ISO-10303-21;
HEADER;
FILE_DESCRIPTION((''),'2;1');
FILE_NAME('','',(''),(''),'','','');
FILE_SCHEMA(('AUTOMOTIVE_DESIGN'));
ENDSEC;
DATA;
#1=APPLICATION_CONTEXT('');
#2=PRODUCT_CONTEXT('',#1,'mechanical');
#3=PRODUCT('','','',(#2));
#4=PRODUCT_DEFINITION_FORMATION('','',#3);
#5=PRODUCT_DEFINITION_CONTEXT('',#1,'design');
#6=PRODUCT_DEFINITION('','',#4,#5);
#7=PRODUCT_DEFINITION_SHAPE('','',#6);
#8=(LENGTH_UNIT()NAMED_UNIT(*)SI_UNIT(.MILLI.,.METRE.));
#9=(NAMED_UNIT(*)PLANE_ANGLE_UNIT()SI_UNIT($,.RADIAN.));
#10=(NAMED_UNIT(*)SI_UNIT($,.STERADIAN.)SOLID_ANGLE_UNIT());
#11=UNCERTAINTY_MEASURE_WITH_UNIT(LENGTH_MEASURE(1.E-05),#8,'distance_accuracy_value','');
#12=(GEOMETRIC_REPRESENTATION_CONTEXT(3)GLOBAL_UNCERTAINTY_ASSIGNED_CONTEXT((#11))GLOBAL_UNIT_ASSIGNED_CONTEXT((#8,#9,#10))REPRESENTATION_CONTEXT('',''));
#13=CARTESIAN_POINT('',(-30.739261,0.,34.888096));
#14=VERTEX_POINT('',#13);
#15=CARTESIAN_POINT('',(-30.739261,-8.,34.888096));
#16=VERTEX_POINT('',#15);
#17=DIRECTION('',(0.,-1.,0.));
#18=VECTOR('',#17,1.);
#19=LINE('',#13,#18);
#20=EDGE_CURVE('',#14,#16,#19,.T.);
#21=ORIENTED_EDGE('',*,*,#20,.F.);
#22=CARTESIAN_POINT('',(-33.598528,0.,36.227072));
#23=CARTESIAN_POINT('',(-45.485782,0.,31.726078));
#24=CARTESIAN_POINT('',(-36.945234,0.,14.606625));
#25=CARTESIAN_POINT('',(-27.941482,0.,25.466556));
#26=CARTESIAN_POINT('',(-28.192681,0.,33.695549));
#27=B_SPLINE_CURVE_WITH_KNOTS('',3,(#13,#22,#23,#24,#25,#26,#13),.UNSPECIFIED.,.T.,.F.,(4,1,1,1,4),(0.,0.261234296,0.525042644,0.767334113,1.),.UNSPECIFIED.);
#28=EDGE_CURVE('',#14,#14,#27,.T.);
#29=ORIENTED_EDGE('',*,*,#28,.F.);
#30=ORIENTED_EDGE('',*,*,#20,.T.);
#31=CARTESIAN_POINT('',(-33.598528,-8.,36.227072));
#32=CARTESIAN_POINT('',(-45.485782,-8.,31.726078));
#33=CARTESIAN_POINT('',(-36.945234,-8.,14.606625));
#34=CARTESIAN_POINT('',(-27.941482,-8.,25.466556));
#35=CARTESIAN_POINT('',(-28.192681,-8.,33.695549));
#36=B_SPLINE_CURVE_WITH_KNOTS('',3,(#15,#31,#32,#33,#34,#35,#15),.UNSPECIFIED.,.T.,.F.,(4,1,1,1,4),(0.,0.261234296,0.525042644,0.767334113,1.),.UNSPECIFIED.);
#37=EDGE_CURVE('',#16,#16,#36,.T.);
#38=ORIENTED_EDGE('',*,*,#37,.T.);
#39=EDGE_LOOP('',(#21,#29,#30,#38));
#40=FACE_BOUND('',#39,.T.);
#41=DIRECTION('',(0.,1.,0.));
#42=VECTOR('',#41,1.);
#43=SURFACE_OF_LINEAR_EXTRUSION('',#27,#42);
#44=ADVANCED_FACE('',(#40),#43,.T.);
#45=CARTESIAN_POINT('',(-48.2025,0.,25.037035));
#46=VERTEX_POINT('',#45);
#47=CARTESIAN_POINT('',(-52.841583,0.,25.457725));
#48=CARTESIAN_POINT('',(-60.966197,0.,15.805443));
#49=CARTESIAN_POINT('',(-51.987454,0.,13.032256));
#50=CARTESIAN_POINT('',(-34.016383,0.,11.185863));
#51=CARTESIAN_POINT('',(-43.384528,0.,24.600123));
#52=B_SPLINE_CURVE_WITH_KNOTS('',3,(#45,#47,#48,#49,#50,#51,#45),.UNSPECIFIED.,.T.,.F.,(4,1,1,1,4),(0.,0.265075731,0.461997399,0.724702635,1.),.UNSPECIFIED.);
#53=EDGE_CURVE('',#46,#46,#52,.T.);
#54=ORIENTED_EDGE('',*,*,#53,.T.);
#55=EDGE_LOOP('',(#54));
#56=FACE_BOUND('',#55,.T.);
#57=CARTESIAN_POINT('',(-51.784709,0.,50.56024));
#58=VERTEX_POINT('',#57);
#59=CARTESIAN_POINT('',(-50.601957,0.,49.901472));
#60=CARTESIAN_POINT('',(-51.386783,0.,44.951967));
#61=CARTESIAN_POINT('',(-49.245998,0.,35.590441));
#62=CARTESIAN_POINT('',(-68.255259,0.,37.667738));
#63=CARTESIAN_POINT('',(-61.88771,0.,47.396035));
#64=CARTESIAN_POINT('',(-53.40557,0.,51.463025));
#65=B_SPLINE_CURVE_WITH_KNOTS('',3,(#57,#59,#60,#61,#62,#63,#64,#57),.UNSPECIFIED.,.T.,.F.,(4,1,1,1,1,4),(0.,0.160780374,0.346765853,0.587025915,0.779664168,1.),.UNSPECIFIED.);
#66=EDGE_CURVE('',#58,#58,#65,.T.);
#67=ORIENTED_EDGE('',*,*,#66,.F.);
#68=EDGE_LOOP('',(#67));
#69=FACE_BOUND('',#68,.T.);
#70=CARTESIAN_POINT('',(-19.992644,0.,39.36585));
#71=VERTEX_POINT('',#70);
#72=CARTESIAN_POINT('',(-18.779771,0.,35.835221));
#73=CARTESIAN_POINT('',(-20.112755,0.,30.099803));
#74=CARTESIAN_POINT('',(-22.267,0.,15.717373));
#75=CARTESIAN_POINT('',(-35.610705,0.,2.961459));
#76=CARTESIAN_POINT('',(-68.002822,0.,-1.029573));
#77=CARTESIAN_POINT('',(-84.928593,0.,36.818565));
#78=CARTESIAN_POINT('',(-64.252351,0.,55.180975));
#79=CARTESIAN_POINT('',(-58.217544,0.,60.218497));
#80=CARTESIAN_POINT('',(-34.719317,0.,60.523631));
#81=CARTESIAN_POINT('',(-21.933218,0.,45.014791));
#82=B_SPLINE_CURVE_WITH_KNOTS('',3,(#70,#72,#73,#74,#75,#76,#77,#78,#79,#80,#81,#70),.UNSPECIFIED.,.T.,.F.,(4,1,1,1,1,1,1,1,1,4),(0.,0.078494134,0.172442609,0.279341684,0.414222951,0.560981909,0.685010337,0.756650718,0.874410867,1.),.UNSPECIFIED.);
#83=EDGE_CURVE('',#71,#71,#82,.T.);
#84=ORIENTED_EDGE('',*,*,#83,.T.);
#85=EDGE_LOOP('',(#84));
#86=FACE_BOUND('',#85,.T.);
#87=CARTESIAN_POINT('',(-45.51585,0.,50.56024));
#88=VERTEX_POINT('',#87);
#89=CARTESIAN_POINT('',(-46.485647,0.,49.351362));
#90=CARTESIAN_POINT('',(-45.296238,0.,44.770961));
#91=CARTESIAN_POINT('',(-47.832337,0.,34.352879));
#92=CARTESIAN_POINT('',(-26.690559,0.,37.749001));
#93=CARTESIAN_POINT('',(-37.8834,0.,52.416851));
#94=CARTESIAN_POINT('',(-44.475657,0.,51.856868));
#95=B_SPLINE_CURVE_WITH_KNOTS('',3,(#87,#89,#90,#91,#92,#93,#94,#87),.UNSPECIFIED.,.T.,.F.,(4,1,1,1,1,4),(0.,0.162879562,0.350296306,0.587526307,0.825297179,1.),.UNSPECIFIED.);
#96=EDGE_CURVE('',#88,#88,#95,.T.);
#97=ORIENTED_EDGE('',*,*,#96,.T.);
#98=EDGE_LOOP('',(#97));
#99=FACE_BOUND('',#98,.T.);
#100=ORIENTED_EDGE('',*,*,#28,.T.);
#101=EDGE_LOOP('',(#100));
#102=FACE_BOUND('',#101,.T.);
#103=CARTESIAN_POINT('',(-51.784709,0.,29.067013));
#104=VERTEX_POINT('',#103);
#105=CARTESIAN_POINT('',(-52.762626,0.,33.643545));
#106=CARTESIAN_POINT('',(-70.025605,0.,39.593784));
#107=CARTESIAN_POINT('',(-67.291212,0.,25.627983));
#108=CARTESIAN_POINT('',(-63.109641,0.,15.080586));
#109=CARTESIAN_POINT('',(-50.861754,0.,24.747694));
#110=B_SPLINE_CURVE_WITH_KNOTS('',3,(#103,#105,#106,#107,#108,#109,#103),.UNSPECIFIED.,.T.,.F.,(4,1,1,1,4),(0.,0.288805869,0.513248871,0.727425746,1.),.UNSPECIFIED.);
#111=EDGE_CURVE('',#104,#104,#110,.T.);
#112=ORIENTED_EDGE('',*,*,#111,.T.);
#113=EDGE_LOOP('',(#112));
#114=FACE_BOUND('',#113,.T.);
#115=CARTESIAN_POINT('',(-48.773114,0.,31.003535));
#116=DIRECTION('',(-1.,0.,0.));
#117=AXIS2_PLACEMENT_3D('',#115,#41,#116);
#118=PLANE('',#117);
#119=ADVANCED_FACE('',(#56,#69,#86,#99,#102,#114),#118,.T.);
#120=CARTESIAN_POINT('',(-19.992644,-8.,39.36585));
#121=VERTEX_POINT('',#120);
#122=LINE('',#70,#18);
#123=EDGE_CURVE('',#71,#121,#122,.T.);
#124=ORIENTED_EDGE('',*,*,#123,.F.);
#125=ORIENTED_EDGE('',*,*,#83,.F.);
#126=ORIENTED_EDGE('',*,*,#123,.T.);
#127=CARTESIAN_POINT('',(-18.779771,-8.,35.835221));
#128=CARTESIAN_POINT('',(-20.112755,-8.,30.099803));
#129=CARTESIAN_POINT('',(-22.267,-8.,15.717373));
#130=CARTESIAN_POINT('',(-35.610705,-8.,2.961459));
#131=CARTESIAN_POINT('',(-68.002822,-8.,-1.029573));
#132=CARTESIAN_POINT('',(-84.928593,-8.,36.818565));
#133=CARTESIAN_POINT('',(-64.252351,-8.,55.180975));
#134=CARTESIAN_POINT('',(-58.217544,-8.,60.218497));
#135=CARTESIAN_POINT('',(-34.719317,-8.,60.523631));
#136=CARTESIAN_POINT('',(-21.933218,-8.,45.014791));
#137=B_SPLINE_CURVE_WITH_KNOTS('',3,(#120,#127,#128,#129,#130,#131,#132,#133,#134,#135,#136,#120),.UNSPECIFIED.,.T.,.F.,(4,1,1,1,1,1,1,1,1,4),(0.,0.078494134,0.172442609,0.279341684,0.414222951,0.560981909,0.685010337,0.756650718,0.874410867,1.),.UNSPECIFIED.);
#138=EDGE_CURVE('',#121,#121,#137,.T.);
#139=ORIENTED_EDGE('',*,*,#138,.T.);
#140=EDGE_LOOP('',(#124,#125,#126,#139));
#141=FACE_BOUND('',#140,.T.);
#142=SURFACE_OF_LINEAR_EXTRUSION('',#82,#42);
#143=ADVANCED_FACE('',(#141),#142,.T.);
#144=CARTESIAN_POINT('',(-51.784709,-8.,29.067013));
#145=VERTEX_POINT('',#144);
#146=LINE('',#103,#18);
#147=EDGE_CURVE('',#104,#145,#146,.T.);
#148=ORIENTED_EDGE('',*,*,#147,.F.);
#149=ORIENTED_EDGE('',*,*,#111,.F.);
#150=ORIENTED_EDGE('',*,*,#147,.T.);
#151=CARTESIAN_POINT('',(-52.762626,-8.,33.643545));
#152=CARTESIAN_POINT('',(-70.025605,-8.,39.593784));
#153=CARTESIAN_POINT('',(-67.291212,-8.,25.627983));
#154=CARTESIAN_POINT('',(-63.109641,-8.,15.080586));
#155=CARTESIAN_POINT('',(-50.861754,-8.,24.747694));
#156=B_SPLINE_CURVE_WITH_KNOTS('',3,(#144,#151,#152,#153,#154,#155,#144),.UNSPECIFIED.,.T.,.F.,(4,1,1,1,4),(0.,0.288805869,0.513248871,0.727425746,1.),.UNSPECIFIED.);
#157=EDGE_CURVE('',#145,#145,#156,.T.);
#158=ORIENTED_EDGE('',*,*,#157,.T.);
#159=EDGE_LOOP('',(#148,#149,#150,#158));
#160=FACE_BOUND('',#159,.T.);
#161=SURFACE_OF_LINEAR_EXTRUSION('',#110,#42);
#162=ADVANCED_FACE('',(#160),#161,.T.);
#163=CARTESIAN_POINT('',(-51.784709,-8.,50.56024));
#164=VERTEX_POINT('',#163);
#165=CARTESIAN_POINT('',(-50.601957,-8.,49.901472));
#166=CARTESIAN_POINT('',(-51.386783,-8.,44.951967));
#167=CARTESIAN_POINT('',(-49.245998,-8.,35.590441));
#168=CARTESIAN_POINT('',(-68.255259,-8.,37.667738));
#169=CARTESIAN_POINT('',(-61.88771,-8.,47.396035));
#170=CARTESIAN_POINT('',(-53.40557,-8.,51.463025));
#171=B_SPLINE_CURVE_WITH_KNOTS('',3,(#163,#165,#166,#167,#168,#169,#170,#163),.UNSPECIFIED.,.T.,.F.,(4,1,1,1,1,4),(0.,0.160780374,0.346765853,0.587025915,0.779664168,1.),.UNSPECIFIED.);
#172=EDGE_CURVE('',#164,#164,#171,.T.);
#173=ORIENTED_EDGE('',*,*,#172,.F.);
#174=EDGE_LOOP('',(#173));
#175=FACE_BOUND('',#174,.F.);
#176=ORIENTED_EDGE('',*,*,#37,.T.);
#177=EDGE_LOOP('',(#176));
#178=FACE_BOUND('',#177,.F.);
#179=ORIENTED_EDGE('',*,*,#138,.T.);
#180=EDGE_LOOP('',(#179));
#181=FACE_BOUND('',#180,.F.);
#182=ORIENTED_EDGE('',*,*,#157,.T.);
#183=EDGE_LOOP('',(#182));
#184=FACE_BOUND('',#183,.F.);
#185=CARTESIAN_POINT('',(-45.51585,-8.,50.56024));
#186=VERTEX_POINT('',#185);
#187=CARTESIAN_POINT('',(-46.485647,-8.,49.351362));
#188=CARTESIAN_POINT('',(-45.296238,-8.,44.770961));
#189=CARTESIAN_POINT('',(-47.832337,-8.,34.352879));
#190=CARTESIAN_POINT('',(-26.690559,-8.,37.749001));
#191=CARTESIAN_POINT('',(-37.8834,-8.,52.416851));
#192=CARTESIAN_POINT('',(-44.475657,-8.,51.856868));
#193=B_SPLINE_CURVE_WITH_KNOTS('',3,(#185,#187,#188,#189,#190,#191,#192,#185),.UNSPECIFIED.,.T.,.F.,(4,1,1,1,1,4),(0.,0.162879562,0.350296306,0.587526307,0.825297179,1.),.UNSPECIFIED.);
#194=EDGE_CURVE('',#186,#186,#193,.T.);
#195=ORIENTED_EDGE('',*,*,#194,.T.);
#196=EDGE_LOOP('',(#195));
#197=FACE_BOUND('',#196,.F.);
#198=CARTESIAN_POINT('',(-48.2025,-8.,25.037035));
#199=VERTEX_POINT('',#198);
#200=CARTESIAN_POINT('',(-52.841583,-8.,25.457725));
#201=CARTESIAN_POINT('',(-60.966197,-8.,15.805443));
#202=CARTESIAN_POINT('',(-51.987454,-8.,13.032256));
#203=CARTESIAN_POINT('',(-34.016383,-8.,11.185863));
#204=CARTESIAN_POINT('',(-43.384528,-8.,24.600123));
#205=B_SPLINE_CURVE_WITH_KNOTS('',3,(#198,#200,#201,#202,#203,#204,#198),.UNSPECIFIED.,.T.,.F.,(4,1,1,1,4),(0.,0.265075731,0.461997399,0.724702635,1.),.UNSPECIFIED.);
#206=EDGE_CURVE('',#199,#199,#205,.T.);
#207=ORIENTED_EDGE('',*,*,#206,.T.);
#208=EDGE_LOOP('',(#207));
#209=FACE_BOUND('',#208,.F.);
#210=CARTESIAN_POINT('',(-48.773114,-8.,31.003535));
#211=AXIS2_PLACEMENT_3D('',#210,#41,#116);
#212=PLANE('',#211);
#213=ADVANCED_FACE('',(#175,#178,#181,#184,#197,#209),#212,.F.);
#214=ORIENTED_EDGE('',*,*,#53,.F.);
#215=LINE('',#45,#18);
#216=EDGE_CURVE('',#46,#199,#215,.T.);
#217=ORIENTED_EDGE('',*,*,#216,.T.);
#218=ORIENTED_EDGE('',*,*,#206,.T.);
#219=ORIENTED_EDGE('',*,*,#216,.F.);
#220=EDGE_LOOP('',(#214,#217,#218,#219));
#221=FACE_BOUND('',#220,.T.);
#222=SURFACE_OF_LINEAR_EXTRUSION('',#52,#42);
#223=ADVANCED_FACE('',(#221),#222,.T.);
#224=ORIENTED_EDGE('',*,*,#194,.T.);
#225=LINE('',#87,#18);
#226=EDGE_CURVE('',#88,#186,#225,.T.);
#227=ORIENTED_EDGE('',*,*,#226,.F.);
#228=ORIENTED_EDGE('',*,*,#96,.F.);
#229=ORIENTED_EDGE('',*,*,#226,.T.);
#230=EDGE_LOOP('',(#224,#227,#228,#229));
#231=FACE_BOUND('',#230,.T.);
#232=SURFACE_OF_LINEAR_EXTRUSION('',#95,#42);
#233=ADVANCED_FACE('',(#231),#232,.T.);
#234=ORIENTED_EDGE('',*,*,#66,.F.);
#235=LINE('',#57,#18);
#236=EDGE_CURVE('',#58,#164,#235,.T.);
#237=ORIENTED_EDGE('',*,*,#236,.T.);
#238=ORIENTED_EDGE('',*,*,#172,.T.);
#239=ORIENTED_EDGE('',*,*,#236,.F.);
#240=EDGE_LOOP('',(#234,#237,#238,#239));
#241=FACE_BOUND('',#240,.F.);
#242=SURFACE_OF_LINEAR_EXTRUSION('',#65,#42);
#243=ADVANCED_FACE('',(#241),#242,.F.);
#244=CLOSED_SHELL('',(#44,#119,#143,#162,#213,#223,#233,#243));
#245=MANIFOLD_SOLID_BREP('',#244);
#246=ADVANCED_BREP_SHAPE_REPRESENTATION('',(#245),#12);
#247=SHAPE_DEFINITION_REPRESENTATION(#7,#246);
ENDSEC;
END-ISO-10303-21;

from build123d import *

# Parameters (mm, degrees)
F1_DEPTH = 8


with BuildPart() as f1:
    # F0 (on Front) → F1 (new body)
    with BuildSketch(Plane.XZ):
        with BuildLine():
            add(Edge.make_bspline(
                [(-19.9926439673, 39.365850389), (-18.7797711252, 35.8352207647), (-20.112754659, 30.0998025239), (-22.2669997346, 15.7173730294), (-35.6107045451, 2.961458872), (-68.0028217066, -1.0295733326), (-84.9285930277, 36.8185652771), (-64.2523509468, 55.1809745621), (-58.2175439834, 60.2184968115), (-34.7193167619, 60.5236310992), (-21.9332176227, 45.0147911506), (-19.9926439673, 39.365850389)],
                knots=[0, 0, 0, 0, 0.0784941342, 0.172442609, 0.2793416844, 0.4142229512, 0.560981909, 0.6850103373, 0.756650718, 0.8744108669, 1, 1, 1, 1], degree=3))
        make_face()
        with BuildLine():
            add(Edge.make_bspline(
                [(-51.784709096, 29.0670134127), (-52.762626018, 33.6435454992), (-70.0256050177, 39.5937843311), (-67.2912118698, 25.6279831221), (-63.1096405141, 15.0805858276), (-50.8617535608, 24.747693923), (-51.784709096, 29.0670134127)],
                knots=[0, 0, 0, 0, 0.2888058688, 0.5132488715, 0.7274257464, 1, 1, 1, 1], degree=3))
        make_face(mode=Mode.SUBTRACT)
        with BuildLine():
            add(Edge.make_bspline(
                [(-48.2024997473, 25.037035346), (-52.8415826498, 25.4577249411), (-60.9661972575, 15.8054430055), (-51.9874539554, 13.0322561643), (-34.0163826309, 11.1858625755), (-43.3845283061, 24.6001234612), (-48.2024997473, 25.037035346)],
                knots=[0, 0, 0, 0, 0.2650757307, 0.461997399, 0.7247026347, 1, 1, 1, 1], degree=3))
        make_face(mode=Mode.SUBTRACT)
        with BuildLine():
            add(Edge.make_bspline(
                [(-30.7392608374, 34.8880961537), (-33.598528064, 36.2270723655), (-45.4857815141, 31.7260778295), (-36.9452340139, 14.6066249106), (-27.94148211, 25.4665560849), (-28.1926811704, 33.6955494887), (-30.7392608374, 34.8880961537)],
                knots=[0, 0, 0, 0, 0.2612342961, 0.525042644, 0.7673341125, 1, 1, 1, 1], degree=3))
        make_face(mode=Mode.SUBTRACT)
        with BuildLine():
            add(Edge.make_bspline(
                [(-51.784709096, 50.5602397025), (-50.6019570288, 49.9014717969), (-51.3867830894, 44.9519674422), (-49.2459977631, 35.5904414496), (-68.2552586255, 37.6677382901), (-61.887710273, 47.3960353101), (-53.4055702392, 51.4630251045), (-51.784709096, 50.5602397025)],
                knots=[0, 0, 0, 0, 0.1607803737, 0.3467658533, 0.5870259151, 0.7796641684, 1, 1, 1, 1], degree=3))
        make_face(mode=Mode.SUBTRACT)
        with BuildLine():
            add(Edge.make_bspline(
                [(-45.5158501863, 50.5602397025), (-46.4856466264, 49.3513622372), (-45.2962380546, 44.7709613812), (-47.8323369552, 34.3528785071), (-26.6905593357, 37.749001098), (-37.8834002713, 52.4168513322), (-44.4756572259, 51.8568683324), (-45.5158501863, 50.5602397025)],
                knots=[0, 0, 0, 0, 0.1628795619, 0.3502963055, 0.5875263068, 0.8252971792, 1, 1, 1, 1], degree=3))
        make_face(mode=Mode.SUBTRACT)
    extrude(amount=F1_DEPTH)


solid = f1.part
